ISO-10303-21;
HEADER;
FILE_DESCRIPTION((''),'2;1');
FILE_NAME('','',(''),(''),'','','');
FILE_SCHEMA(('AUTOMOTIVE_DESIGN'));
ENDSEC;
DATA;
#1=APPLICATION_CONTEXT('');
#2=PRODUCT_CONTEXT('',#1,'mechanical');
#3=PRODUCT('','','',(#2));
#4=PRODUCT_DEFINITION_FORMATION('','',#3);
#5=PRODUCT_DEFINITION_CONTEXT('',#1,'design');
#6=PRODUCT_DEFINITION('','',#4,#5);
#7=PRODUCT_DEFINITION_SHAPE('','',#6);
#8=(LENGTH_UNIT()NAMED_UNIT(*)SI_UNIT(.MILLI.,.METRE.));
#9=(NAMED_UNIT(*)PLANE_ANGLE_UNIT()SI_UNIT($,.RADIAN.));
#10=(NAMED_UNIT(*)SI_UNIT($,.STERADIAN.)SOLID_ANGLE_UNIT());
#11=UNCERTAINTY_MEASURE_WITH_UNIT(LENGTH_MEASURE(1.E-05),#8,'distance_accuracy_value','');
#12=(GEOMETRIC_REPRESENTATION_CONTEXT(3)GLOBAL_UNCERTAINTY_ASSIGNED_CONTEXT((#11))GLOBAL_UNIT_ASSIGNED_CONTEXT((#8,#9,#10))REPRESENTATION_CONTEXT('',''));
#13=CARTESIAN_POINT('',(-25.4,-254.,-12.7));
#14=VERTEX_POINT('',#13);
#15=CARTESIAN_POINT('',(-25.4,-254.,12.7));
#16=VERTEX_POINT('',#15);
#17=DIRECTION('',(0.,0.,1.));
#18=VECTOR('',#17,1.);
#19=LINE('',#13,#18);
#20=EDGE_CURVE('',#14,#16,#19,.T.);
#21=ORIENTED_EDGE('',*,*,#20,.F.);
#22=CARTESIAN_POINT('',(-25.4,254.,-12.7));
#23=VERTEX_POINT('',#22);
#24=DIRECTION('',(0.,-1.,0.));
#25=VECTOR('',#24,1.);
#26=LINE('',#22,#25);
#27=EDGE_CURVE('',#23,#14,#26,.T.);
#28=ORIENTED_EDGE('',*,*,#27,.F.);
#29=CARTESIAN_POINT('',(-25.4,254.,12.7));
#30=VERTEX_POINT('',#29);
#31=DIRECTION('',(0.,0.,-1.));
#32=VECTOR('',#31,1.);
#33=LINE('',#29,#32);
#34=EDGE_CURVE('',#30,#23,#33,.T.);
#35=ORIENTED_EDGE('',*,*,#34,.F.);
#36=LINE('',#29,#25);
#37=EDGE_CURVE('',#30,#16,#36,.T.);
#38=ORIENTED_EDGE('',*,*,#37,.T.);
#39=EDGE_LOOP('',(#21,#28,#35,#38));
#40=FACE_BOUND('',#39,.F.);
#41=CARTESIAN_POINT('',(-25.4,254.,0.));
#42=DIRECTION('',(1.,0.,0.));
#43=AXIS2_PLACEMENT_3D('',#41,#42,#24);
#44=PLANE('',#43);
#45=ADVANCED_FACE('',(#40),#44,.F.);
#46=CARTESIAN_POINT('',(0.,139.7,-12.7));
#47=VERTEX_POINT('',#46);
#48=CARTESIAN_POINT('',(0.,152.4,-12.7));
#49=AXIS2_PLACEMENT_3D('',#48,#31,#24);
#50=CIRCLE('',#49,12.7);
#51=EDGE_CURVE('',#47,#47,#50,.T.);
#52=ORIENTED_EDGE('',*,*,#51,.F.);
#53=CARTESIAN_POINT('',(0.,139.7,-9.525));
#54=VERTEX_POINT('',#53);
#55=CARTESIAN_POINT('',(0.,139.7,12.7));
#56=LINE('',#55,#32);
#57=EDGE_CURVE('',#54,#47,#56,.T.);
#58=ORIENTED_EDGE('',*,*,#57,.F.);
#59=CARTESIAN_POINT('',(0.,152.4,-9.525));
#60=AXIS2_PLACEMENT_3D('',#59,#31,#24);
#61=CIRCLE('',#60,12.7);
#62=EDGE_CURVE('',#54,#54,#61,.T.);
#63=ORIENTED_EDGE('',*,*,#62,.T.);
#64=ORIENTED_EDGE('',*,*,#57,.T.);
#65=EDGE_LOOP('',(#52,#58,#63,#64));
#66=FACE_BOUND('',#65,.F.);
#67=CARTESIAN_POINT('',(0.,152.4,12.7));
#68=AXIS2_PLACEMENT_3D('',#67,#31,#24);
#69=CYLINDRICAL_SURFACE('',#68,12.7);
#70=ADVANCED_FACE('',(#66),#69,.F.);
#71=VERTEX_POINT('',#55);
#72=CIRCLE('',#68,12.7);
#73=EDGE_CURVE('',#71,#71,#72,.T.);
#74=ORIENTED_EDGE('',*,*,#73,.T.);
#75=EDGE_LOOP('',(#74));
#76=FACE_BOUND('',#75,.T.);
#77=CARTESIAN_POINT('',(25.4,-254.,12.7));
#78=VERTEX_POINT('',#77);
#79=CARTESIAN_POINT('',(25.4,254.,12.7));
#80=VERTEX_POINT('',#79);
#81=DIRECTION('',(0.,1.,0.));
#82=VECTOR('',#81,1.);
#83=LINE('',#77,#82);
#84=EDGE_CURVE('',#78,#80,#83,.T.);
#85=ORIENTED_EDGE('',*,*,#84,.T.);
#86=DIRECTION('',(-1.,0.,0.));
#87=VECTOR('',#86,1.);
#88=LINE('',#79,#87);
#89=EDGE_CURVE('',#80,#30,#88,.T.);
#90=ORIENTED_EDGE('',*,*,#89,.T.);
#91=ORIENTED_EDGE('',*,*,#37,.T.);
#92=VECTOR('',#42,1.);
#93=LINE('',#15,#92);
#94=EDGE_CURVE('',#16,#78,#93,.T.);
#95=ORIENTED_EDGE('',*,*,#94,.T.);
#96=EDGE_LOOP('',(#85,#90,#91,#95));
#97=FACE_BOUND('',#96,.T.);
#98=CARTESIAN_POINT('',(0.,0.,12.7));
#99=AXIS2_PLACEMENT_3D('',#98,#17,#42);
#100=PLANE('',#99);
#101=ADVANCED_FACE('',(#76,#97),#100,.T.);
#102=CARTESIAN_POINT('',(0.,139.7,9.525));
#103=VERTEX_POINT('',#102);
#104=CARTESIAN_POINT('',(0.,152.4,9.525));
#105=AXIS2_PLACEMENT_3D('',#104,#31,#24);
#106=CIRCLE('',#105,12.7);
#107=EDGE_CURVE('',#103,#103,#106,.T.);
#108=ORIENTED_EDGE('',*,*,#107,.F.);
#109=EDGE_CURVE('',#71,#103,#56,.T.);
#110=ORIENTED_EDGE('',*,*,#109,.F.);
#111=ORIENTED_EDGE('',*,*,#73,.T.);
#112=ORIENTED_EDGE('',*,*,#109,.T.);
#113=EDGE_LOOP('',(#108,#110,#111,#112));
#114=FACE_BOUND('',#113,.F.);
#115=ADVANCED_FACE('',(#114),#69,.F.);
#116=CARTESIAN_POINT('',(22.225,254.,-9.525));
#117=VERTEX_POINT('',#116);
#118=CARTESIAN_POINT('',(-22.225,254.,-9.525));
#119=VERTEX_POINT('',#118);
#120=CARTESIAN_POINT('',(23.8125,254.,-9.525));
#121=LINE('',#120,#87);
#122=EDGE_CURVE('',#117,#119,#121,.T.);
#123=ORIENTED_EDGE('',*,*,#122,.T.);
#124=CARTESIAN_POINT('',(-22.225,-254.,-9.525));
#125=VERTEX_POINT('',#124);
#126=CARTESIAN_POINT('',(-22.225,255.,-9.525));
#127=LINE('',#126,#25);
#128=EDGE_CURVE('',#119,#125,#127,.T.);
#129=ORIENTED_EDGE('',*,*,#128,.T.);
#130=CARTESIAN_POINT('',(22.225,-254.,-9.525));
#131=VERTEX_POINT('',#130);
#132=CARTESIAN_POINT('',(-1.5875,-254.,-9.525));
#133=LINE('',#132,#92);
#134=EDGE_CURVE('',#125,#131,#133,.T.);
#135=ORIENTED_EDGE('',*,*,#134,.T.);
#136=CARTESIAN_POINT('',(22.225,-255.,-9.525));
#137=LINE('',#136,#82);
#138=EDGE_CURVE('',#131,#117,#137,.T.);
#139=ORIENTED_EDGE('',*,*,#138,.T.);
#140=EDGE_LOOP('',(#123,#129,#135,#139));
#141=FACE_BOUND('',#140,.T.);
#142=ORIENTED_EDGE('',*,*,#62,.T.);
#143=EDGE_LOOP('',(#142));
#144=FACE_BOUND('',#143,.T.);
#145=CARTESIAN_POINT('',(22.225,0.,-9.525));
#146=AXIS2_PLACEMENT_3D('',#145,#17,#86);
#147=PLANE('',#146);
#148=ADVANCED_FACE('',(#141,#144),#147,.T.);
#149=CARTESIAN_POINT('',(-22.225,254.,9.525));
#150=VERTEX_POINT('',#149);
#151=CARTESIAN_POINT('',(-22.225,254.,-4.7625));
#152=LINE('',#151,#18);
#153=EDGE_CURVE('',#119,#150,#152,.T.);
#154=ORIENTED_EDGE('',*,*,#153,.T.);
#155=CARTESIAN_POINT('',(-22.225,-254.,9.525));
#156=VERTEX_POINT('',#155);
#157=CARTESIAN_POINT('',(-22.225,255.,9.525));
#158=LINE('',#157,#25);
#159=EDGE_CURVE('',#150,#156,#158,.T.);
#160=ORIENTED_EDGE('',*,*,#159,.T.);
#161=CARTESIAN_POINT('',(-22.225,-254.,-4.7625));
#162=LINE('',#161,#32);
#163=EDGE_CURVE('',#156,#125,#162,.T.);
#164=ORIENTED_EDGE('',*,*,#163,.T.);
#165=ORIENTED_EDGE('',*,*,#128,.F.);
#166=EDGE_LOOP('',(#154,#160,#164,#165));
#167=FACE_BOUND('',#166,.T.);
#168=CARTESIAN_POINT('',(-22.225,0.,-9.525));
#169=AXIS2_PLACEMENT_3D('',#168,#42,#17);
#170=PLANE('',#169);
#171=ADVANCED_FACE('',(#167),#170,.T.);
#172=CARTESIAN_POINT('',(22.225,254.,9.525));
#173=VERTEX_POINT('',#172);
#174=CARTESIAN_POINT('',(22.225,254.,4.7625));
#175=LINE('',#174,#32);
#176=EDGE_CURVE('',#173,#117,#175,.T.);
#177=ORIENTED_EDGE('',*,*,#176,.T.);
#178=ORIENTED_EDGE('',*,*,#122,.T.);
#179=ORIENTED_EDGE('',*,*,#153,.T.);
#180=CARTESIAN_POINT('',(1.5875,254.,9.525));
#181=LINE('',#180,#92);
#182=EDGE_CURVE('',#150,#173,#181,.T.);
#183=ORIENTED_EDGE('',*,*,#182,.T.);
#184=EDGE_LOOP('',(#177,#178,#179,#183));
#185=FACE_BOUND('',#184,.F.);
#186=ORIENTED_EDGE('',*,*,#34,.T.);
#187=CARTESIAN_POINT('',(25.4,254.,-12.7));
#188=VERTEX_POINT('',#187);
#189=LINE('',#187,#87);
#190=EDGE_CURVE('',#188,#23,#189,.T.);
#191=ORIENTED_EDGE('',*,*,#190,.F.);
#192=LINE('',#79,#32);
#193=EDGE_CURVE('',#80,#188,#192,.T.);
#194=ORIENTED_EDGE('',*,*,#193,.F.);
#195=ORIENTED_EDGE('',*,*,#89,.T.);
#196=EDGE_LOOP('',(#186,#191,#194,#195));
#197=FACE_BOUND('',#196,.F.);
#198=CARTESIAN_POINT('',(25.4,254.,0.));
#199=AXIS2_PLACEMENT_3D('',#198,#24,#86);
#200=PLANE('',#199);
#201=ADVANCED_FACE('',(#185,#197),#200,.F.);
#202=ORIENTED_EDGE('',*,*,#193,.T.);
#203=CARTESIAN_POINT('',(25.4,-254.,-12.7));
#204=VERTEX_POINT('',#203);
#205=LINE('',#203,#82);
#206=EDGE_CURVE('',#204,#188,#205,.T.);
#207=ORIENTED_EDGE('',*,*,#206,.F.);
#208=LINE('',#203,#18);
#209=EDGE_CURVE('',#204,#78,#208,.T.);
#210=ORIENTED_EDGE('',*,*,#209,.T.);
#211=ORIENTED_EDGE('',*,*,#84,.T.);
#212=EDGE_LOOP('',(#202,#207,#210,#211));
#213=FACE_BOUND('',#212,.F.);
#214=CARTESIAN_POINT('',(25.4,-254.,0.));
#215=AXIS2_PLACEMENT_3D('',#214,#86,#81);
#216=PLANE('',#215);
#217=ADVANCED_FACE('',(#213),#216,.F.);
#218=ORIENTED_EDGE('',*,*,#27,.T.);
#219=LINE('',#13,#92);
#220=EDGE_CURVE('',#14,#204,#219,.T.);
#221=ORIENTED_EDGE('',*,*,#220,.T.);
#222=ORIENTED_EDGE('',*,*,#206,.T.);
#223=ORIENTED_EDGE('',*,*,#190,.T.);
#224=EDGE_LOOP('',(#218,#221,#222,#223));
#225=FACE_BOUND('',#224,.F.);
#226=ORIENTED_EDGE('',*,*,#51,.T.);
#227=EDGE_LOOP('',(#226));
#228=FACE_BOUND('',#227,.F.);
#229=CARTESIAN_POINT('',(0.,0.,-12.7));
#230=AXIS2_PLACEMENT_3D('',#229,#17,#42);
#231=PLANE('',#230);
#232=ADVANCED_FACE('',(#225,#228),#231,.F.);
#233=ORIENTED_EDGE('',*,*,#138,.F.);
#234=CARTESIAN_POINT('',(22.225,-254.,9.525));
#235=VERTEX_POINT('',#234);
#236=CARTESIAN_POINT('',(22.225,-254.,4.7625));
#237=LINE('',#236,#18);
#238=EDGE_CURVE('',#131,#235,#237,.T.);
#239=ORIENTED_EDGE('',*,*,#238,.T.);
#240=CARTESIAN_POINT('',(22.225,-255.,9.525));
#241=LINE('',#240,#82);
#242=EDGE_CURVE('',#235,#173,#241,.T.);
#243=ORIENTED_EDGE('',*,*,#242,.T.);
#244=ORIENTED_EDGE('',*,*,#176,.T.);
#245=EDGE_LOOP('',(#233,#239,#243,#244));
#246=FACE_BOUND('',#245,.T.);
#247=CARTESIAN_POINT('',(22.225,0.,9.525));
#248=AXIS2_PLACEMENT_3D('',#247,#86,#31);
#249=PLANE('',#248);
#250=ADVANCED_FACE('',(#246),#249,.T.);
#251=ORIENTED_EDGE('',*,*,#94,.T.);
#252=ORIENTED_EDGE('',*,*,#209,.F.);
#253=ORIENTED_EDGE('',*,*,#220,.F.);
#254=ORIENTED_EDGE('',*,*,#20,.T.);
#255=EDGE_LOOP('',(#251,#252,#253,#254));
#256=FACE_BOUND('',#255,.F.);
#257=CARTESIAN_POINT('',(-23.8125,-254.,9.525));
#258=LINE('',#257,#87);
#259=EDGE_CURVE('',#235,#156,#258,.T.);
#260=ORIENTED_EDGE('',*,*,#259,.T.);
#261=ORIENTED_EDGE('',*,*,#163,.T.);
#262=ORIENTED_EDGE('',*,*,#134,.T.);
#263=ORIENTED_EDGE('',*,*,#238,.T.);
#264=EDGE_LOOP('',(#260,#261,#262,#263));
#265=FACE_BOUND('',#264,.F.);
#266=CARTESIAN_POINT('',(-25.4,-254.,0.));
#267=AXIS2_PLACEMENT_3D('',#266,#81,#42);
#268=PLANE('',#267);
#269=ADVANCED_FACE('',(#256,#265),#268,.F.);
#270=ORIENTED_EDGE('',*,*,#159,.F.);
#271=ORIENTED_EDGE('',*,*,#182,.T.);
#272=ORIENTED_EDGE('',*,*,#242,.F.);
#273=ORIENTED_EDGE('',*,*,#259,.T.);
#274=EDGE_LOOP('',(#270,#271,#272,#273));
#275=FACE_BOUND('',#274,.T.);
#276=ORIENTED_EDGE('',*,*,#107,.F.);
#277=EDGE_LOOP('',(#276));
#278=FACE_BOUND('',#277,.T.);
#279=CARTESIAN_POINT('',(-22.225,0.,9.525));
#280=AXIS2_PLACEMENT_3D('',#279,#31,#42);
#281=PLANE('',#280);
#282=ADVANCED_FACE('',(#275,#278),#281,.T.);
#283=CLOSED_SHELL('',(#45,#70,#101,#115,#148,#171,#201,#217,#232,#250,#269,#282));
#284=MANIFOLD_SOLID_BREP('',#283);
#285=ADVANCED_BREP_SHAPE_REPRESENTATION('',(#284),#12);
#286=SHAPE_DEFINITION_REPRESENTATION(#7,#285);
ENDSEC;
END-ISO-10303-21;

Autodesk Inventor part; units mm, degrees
ref_plane "YZ Plane" through (0, 0, 0) normal (1, 0, 0) x (0, 1, 0)
ref_plane "XZ Plane" through (0, 0, 0) normal (0, 1, 0) x (-1, 0, 0)
ref_plane "XY Plane" through (0, 0, 0) normal (0, 0, 1) x (1, 0, 0)
sketch "Sketch1" plane through (0, 0, 0) normal (0, 0, 1) x (1, 0, 0)
  line L0 (-25.4, -254) -> (25.4, -254)
  line L1 (25.4, -254) -> (25.4, 254)
  line L2 (25.4, 254) -> (-25.4, 254)
  line L3 (-25.4, 254) -> (-25.4, -254)
  line L4 (-25.4, -254) -> (25.4, 254) construction
  line L5 (25.4, -254) -> (-25.4, 254) construction
  point P0 (0, 0)
  dimension "d0" = 50.8
  dimension "d1" = 508
extrude "Extrusion1" add sketch "Sketch1" along normal mid plane 25.4
sketch "Sketch2" plane through (0, 0, 0) normal (0, 1, 0) x (-1, 0, 0)
  line L0 (-22.225, 9.525) -> (-22.225, -9.525)
  line L1 (-22.225, -9.525) -> (22.225, -9.525)
  line L2 (22.225, -9.525) -> (22.225, 9.525)
  line L3 (22.225, 9.525) -> (-22.225, 9.525)
  line L4 (-22.225, 9.525) -> (22.225, -9.525) construction
  line L5 (-22.225, -9.525) -> (22.225, 9.525) construction
  line L6 (25.4, -12.7) -> (25.4, 12.7) projected
  line L7 (25.4, 12.7) -> (-25.4, 12.7) projected
  point P0 (0, 0)
  dimension "d4" = 3.175
  dimension "d5" = 3.175
extrude "Extrusion2" cut sketch "Sketch2" along normal through all both and the other way through all
sketch "Sketch3" plane through (0, 0, 12.7) normal (0, 0, 1) x (1, 0, 0)
  line L0 (-22.225, 254) -> (22.225, 254) construction
  line L1 (0, 254) -> (0, -254) construction
  line L2 (22.225, -254) -> (-22.225, -254) construction
  point P0 (0, 0)
  point P1 (0, 152.4)
  dimension "d8" = 101.6
hole "Hole1" at (0, 152.4, 12.7) direction (0, 0, -1) diameter 25.4 end through all
equation "\"d0\" = width"
equation "\"d1\" = height"
equation "\"d2\" = depth"
equation "\"d4\" = wallThickness"
equation "\"d5\" = wallThickness"
equation "\"d8\" = distanceFromTopForOneInch"
equation "\"depth\" = 25.4"
equation "\"width\" = 50.8"
equation "\"height\" = 508"
equation "\"wallThickness\" = 3.175"
equation "\"distanceFromTopForOneInch\" = 101.6"
properties part number "sideExtrusion" material "Aluminum 6061"
